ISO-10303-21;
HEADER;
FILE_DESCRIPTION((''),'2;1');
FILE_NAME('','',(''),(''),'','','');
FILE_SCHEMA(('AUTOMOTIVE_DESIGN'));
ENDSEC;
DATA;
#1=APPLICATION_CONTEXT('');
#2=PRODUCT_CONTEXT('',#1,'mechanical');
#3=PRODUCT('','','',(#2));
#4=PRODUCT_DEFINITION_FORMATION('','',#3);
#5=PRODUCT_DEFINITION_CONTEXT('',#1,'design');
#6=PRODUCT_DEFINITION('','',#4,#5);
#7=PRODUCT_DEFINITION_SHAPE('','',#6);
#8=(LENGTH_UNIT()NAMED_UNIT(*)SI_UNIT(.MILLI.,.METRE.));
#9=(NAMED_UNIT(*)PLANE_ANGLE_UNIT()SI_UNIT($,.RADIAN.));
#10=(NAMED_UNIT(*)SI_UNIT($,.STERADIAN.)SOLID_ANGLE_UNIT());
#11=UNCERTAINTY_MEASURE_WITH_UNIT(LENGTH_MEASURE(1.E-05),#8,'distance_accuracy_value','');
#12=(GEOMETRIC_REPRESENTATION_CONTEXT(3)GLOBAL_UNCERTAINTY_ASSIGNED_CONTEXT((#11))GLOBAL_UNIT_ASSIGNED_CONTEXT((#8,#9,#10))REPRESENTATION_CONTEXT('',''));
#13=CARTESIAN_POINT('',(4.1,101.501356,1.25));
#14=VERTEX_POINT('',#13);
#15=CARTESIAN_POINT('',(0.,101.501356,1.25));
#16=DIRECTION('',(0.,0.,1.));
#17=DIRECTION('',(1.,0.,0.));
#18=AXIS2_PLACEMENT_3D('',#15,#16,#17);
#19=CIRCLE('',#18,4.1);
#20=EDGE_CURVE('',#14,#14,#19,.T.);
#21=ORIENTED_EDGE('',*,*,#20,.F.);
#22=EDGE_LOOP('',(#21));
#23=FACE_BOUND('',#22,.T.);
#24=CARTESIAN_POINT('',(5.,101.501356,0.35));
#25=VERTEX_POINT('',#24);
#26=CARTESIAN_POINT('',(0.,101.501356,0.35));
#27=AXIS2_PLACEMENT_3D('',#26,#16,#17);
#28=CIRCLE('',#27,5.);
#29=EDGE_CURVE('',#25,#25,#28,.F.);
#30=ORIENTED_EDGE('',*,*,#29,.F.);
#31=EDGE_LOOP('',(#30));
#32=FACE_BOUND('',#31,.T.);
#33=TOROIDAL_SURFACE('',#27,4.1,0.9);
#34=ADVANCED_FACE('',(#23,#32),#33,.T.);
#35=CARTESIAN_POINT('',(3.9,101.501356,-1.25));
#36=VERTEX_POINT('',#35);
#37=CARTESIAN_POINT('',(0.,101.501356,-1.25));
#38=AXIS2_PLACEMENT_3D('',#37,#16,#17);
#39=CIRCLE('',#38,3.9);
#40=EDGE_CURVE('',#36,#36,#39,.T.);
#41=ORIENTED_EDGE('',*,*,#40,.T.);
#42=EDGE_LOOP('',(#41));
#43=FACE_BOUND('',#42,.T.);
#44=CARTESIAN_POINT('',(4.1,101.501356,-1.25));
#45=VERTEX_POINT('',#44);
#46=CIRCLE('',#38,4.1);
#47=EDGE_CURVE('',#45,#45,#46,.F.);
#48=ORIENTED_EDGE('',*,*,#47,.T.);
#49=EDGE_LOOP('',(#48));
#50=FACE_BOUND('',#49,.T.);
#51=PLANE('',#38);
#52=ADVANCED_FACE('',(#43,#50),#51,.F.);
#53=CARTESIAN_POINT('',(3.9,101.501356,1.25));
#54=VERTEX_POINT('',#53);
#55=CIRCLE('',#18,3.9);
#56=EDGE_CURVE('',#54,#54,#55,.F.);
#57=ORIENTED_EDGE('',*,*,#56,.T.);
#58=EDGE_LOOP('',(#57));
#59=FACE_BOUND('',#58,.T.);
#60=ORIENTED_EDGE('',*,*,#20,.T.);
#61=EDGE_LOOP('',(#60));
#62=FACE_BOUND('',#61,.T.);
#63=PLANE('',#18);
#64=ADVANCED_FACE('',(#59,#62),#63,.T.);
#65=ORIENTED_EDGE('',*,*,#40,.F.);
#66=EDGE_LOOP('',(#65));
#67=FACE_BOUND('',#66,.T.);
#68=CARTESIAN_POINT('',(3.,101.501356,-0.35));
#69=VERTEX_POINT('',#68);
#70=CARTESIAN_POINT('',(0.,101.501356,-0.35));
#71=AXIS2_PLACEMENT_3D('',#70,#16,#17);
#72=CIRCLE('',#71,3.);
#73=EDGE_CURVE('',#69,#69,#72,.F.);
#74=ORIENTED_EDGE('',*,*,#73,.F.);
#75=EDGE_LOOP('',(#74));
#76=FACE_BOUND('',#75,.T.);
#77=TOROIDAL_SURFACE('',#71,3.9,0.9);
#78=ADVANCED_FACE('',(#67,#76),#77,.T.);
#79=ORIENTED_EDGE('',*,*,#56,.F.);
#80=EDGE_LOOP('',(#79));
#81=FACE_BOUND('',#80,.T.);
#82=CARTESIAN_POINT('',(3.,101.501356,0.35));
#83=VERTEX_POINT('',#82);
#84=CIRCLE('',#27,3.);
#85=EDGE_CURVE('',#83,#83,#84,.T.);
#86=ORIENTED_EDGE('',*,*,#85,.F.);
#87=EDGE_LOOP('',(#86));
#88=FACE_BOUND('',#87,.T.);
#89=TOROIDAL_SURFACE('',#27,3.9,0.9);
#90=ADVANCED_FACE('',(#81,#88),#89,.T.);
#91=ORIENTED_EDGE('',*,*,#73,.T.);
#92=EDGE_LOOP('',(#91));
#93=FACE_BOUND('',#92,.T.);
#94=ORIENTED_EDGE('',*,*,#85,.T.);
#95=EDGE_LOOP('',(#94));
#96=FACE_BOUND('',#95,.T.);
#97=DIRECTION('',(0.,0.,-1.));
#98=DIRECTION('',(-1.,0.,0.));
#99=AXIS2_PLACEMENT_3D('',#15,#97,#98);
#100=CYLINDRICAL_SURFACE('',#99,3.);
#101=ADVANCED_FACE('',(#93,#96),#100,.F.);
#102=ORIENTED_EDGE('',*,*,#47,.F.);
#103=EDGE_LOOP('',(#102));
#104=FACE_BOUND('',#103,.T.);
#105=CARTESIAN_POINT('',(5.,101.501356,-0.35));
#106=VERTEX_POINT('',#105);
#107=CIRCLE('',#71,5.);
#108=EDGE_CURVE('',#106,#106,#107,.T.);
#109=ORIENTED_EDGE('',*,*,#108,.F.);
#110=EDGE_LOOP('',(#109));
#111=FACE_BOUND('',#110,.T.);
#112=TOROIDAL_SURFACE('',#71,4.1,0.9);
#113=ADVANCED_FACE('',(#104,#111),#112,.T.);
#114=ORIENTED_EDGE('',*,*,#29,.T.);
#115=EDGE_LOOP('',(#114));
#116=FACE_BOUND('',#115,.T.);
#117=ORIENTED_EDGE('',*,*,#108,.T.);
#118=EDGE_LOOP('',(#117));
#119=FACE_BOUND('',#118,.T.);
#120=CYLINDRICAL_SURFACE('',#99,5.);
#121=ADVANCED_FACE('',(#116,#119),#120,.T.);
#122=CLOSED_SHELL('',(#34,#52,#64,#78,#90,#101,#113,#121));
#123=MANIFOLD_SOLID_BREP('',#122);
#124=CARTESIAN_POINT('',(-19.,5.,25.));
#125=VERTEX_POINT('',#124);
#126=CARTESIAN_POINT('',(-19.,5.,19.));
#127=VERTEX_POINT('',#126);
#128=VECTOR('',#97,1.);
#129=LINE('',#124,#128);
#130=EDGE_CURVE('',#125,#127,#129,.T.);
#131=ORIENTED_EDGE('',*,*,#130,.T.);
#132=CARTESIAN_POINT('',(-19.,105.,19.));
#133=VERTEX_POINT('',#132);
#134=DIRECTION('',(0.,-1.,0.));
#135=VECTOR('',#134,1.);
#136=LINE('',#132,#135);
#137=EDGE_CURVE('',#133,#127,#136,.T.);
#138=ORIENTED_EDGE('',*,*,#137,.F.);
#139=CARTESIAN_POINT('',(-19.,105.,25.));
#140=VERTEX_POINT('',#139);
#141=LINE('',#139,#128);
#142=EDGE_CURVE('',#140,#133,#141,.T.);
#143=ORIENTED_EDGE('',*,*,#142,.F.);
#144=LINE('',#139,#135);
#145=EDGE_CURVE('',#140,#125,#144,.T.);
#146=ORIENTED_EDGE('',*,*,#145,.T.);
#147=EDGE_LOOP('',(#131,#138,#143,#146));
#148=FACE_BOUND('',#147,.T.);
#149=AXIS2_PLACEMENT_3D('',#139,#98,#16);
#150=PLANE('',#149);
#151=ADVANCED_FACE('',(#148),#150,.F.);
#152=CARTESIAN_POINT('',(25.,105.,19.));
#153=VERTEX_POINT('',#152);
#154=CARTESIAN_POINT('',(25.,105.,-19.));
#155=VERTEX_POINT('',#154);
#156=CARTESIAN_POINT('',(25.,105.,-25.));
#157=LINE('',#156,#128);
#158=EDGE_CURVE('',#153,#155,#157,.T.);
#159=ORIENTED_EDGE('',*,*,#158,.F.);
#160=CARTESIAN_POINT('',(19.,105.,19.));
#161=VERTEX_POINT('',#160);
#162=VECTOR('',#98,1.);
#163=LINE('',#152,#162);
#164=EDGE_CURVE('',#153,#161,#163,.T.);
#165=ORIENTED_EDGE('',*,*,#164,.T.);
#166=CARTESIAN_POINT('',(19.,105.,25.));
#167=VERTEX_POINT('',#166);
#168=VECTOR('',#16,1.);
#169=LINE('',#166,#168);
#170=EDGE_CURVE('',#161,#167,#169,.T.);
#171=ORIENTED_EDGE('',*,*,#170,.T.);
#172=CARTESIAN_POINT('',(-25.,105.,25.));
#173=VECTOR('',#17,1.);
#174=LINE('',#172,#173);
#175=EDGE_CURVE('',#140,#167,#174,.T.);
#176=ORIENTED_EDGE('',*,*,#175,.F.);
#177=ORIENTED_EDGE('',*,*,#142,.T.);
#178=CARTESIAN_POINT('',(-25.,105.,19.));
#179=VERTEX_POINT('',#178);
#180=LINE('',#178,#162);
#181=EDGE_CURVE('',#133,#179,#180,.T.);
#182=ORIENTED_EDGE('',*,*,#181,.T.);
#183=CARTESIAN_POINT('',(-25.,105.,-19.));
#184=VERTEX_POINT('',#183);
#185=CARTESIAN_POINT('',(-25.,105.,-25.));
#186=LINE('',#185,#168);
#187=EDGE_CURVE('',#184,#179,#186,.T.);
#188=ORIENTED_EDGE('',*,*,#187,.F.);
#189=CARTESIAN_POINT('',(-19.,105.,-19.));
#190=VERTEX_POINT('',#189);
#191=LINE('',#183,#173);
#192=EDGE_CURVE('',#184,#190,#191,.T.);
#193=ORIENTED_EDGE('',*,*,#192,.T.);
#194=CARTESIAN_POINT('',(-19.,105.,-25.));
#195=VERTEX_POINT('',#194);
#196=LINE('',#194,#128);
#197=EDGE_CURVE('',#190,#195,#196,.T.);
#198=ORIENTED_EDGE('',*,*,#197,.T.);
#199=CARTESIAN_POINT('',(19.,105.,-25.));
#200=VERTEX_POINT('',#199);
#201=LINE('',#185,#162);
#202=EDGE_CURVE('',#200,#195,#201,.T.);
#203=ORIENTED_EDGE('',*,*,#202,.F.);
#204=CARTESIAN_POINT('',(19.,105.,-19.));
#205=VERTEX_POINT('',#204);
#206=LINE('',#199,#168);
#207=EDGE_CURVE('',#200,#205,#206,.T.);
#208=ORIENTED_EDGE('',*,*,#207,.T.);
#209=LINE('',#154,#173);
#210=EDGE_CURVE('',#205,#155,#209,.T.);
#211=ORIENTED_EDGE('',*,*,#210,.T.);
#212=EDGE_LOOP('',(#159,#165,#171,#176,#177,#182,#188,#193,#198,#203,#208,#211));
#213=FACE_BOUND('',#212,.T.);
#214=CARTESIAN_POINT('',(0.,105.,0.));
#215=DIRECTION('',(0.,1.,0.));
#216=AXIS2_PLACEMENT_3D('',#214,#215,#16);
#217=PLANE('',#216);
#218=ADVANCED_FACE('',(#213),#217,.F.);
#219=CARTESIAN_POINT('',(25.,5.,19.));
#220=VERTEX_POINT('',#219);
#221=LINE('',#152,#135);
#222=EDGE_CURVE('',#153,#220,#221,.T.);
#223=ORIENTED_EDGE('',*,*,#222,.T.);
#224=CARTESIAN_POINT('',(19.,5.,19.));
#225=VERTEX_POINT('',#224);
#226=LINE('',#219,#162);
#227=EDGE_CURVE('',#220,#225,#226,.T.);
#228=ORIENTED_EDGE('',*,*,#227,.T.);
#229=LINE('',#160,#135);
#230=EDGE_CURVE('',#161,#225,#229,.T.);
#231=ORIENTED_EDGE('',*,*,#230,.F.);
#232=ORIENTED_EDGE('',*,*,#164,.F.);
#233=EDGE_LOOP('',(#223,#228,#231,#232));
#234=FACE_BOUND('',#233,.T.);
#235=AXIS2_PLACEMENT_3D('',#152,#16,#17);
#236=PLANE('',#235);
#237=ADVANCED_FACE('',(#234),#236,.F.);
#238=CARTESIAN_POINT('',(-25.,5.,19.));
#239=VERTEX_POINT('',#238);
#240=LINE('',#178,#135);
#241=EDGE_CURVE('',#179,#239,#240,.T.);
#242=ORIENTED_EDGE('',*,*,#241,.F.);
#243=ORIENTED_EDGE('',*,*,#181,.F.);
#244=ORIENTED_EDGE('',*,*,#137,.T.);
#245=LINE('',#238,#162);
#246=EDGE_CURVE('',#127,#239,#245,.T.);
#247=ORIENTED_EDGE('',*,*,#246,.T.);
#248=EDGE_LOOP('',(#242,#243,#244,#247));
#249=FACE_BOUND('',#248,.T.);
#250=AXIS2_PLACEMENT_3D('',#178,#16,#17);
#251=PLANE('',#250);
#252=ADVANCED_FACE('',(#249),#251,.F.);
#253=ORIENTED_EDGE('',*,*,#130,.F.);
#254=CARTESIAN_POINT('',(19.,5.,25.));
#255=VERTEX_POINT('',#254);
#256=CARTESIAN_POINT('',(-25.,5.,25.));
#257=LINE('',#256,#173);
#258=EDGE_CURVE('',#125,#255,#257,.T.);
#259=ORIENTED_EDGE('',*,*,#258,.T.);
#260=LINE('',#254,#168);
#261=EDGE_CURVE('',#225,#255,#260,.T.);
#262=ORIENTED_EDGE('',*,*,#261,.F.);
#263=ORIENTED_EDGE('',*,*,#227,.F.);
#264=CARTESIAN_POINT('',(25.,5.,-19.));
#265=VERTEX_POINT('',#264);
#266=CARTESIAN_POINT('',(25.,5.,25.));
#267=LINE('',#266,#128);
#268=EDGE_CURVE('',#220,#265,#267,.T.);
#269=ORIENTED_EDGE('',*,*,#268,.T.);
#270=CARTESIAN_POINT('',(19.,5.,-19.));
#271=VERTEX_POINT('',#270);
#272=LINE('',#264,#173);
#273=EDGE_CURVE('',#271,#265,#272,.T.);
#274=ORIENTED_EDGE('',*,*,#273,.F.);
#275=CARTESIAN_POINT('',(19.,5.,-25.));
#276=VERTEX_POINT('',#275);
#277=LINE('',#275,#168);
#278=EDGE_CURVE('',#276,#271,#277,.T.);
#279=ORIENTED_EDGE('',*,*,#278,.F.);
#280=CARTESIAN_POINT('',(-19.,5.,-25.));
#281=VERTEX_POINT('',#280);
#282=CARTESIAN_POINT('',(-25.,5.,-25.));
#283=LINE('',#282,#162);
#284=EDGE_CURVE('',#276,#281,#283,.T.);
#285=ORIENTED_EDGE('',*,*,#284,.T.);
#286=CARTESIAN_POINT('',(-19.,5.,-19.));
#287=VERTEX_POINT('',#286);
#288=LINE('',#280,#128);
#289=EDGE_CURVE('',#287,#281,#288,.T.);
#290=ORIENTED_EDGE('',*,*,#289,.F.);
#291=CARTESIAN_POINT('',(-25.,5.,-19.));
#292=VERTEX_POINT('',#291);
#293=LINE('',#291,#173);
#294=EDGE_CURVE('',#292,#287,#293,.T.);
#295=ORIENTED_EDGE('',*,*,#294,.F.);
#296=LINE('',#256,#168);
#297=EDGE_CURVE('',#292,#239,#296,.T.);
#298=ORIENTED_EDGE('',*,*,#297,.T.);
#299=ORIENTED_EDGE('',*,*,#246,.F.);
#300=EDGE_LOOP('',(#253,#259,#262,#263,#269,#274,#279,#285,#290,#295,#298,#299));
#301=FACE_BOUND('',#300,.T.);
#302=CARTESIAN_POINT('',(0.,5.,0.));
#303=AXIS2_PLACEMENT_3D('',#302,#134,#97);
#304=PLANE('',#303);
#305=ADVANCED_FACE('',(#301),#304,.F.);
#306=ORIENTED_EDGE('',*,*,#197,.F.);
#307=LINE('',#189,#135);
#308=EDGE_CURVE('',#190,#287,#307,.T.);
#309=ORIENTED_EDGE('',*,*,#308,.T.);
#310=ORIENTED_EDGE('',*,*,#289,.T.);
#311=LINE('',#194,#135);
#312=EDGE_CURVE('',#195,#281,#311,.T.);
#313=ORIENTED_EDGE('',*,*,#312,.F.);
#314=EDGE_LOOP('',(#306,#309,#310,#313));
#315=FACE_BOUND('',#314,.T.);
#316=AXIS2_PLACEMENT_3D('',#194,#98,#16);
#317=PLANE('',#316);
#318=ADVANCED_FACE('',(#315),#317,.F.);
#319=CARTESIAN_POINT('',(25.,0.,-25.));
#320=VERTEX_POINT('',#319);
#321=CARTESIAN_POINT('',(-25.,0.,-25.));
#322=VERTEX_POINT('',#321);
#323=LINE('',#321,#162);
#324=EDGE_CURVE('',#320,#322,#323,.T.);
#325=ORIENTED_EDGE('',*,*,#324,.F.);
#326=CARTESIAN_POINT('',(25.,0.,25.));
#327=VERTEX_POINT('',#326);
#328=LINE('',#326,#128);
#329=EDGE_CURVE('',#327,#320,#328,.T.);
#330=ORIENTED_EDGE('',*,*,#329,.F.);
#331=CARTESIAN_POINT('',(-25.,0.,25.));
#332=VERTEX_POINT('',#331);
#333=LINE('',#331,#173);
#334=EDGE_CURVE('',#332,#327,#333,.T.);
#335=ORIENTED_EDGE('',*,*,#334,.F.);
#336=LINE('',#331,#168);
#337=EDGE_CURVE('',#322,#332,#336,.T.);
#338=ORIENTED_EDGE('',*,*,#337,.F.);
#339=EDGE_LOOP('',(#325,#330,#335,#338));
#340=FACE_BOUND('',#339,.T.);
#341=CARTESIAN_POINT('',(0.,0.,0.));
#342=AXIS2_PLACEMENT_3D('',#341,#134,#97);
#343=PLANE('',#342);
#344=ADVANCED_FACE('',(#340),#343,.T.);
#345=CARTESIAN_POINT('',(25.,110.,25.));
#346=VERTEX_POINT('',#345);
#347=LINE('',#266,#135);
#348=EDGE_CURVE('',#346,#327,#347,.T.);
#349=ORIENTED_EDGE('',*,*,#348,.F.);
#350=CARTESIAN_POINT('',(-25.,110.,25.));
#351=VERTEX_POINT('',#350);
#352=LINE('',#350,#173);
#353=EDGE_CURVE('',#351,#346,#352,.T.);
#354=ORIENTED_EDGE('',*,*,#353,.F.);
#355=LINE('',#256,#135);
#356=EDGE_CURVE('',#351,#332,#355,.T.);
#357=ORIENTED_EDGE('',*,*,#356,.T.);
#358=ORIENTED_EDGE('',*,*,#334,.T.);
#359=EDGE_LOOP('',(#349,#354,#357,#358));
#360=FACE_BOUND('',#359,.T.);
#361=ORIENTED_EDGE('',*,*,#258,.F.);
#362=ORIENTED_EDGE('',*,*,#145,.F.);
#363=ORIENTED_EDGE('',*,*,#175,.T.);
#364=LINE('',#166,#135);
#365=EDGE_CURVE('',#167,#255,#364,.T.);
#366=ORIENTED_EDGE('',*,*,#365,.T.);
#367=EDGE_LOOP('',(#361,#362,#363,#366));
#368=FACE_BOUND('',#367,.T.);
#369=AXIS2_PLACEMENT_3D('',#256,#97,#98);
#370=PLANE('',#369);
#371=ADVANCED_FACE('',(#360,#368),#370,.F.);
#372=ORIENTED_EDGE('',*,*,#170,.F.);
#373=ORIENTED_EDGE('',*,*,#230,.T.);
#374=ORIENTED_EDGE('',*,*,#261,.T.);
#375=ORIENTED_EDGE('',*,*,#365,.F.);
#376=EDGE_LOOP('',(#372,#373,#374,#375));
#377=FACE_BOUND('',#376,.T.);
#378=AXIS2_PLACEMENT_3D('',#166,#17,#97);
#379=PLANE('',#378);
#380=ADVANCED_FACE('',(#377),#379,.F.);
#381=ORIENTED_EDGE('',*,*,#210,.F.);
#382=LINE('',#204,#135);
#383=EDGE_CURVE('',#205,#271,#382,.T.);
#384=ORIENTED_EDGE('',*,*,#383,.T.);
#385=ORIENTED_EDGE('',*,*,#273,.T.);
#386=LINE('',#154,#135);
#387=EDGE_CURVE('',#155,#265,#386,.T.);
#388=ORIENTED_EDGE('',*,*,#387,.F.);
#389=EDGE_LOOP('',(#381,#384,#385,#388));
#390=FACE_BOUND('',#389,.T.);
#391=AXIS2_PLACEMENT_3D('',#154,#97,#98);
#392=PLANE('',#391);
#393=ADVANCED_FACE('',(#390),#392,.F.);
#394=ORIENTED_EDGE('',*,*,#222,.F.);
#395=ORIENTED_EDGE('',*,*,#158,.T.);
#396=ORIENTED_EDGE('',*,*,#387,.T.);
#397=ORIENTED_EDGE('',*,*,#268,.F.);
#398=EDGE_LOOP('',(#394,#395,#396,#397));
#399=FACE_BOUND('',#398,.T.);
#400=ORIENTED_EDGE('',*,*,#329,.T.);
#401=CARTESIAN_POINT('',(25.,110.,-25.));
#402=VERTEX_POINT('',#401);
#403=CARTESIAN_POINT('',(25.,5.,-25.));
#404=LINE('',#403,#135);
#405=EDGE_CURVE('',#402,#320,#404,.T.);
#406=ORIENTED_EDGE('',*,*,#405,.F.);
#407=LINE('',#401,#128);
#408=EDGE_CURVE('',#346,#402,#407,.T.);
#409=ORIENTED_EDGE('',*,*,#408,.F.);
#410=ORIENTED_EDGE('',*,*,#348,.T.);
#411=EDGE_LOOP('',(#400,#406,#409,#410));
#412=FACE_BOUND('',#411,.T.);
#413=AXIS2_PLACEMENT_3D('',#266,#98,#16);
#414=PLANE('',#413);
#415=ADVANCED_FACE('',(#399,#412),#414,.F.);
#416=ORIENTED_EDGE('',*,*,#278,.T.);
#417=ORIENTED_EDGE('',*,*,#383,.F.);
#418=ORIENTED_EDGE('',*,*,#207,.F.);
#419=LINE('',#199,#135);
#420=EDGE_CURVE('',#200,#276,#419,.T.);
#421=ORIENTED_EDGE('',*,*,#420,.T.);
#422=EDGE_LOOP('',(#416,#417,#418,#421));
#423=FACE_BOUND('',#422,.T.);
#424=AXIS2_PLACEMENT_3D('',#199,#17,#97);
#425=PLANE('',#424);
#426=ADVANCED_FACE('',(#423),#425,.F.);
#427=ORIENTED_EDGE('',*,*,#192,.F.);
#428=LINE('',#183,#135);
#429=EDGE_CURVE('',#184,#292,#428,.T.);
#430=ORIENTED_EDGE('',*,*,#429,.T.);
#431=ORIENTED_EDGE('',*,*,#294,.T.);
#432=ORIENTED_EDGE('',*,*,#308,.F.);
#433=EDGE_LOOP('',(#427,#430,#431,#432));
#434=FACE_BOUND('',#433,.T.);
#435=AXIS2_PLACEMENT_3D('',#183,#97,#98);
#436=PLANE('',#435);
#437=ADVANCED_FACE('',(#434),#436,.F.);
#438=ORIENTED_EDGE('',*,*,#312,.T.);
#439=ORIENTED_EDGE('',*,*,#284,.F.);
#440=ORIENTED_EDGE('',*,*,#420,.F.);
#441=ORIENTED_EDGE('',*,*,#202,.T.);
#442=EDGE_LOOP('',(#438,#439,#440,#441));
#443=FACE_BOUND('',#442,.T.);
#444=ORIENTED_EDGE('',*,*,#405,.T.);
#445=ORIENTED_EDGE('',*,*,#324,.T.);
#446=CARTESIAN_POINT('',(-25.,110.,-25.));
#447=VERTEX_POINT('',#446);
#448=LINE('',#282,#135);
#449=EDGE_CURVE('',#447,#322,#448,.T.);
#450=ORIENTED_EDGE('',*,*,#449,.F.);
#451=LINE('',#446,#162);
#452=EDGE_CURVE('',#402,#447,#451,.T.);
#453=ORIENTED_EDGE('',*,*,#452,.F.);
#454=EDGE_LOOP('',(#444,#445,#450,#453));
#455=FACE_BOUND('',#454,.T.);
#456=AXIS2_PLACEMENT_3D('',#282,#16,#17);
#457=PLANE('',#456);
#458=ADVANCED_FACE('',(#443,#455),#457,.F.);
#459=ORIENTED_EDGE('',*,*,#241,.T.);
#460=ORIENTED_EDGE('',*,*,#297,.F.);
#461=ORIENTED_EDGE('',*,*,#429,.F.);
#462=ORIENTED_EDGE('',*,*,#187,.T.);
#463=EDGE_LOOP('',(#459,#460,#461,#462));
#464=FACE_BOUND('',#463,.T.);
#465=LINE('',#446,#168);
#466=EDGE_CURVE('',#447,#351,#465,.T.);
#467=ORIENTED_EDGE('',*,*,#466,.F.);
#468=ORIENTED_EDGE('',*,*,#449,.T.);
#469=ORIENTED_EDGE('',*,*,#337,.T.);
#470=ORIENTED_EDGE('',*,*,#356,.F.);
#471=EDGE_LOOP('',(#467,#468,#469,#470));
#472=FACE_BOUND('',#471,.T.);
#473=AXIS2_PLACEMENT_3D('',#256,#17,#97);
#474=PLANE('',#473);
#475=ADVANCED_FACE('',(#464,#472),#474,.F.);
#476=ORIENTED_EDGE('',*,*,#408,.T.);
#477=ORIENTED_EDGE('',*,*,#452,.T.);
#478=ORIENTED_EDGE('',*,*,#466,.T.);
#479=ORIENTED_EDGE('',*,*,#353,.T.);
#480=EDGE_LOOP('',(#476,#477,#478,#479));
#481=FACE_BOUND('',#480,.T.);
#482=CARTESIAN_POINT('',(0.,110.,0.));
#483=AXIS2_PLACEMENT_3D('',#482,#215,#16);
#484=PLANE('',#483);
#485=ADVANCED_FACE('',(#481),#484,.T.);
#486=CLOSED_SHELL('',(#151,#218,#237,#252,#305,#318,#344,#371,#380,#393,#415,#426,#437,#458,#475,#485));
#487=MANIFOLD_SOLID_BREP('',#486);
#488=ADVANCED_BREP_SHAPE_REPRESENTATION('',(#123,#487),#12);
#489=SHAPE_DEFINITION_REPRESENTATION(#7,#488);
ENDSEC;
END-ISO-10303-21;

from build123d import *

# Parameters (mm, degrees)
SCHIZZO1_W                   = 50
SCHIZZO1_H                   = 50
ESTRUSIONE_ESTRUSIONE1_DEPTH = 5
SCHIZZO2_W                   = 6
SCHIZZO2_H                   = 6
ESTRUSIONE_ESTRUSIONE2_DEPTH = 100
SCHIZZO3_W                   = 50
SCHIZZO3_H                   = 50
ESTRUSIONE_ESTRUSIONE3_DEPTH = 5
SCHIZZO4_R                   = 5
SCHIZZO4_R_2                 = 3
ESTRUSIONE_ESTRUSIONE4_DEPTH = 1.25
RACCORDO1_R                  = 0.9


with BuildPart() as part:
    # Schizzo1 → Estrusione-Estrusione1 (new body)
    with BuildSketch(Plane(origin=(0, 0, 0), x_dir=(1, 0, 0), z_dir=(0, 1, 0))):
        Rectangle(SCHIZZO1_W, SCHIZZO1_H)
    extrude(amount=ESTRUSIONE_ESTRUSIONE1_DEPTH)

    # Schizzo2 → Estrusione-Estrusione2 (add)
    with BuildSketch(Plane(origin=(0, 5, 0), x_dir=(1, 0, 0), z_dir=(0, 1, 0))):
        with Locations((22, 22)):
            Rectangle(SCHIZZO2_W, SCHIZZO2_H)
        with Locations((-22, 22)):
            Rectangle(SCHIZZO2_W, SCHIZZO2_H)
        with Locations((22, -22)):
            Rectangle(SCHIZZO2_W, SCHIZZO2_H)
        with Locations((-22, -22)):
            Rectangle(SCHIZZO2_W, SCHIZZO2_H)
    extrude(amount=ESTRUSIONE_ESTRUSIONE2_DEPTH)

    # Schizzo3 → Estrusione-Estrusione3 (add)
    with BuildSketch(Plane(origin=(0, 105, 0), x_dir=(1, 0, 0), z_dir=(0, 1, 0))):
        Rectangle(SCHIZZO3_W, SCHIZZO3_H)
    extrude(amount=ESTRUSIONE_ESTRUSIONE3_DEPTH)


with BuildPart() as body_2:
    # Schizzo4 → Estrusione-Estrusione4 (new, symmetric)
    with BuildSketch(Plane.XY):
        with Locations((0, 101.50135613)):
            Circle(SCHIZZO4_R)
        with Locations((0, 101.50135613)):
            Circle(SCHIZZO4_R_2, mode=Mode.SUBTRACT)
    extrude(amount=ESTRUSIONE_ESTRUSIONE4_DEPTH, both=True)

    # Raccordo1
    raccordo1_edges = [body_2.edges().sort_by_distance(p)[0] for p in [
        (-5, 101.50135613, -1.25),
        (-5, 101.50135613, 1.25),
        (-3, 101.50135613, -1.25),
        (-3, 101.50135613, 1.25),
    ]]
    fillet(raccordo1_edges, radius=RACCORDO1_R)


solid = Compound([part.part, body_2.part])
